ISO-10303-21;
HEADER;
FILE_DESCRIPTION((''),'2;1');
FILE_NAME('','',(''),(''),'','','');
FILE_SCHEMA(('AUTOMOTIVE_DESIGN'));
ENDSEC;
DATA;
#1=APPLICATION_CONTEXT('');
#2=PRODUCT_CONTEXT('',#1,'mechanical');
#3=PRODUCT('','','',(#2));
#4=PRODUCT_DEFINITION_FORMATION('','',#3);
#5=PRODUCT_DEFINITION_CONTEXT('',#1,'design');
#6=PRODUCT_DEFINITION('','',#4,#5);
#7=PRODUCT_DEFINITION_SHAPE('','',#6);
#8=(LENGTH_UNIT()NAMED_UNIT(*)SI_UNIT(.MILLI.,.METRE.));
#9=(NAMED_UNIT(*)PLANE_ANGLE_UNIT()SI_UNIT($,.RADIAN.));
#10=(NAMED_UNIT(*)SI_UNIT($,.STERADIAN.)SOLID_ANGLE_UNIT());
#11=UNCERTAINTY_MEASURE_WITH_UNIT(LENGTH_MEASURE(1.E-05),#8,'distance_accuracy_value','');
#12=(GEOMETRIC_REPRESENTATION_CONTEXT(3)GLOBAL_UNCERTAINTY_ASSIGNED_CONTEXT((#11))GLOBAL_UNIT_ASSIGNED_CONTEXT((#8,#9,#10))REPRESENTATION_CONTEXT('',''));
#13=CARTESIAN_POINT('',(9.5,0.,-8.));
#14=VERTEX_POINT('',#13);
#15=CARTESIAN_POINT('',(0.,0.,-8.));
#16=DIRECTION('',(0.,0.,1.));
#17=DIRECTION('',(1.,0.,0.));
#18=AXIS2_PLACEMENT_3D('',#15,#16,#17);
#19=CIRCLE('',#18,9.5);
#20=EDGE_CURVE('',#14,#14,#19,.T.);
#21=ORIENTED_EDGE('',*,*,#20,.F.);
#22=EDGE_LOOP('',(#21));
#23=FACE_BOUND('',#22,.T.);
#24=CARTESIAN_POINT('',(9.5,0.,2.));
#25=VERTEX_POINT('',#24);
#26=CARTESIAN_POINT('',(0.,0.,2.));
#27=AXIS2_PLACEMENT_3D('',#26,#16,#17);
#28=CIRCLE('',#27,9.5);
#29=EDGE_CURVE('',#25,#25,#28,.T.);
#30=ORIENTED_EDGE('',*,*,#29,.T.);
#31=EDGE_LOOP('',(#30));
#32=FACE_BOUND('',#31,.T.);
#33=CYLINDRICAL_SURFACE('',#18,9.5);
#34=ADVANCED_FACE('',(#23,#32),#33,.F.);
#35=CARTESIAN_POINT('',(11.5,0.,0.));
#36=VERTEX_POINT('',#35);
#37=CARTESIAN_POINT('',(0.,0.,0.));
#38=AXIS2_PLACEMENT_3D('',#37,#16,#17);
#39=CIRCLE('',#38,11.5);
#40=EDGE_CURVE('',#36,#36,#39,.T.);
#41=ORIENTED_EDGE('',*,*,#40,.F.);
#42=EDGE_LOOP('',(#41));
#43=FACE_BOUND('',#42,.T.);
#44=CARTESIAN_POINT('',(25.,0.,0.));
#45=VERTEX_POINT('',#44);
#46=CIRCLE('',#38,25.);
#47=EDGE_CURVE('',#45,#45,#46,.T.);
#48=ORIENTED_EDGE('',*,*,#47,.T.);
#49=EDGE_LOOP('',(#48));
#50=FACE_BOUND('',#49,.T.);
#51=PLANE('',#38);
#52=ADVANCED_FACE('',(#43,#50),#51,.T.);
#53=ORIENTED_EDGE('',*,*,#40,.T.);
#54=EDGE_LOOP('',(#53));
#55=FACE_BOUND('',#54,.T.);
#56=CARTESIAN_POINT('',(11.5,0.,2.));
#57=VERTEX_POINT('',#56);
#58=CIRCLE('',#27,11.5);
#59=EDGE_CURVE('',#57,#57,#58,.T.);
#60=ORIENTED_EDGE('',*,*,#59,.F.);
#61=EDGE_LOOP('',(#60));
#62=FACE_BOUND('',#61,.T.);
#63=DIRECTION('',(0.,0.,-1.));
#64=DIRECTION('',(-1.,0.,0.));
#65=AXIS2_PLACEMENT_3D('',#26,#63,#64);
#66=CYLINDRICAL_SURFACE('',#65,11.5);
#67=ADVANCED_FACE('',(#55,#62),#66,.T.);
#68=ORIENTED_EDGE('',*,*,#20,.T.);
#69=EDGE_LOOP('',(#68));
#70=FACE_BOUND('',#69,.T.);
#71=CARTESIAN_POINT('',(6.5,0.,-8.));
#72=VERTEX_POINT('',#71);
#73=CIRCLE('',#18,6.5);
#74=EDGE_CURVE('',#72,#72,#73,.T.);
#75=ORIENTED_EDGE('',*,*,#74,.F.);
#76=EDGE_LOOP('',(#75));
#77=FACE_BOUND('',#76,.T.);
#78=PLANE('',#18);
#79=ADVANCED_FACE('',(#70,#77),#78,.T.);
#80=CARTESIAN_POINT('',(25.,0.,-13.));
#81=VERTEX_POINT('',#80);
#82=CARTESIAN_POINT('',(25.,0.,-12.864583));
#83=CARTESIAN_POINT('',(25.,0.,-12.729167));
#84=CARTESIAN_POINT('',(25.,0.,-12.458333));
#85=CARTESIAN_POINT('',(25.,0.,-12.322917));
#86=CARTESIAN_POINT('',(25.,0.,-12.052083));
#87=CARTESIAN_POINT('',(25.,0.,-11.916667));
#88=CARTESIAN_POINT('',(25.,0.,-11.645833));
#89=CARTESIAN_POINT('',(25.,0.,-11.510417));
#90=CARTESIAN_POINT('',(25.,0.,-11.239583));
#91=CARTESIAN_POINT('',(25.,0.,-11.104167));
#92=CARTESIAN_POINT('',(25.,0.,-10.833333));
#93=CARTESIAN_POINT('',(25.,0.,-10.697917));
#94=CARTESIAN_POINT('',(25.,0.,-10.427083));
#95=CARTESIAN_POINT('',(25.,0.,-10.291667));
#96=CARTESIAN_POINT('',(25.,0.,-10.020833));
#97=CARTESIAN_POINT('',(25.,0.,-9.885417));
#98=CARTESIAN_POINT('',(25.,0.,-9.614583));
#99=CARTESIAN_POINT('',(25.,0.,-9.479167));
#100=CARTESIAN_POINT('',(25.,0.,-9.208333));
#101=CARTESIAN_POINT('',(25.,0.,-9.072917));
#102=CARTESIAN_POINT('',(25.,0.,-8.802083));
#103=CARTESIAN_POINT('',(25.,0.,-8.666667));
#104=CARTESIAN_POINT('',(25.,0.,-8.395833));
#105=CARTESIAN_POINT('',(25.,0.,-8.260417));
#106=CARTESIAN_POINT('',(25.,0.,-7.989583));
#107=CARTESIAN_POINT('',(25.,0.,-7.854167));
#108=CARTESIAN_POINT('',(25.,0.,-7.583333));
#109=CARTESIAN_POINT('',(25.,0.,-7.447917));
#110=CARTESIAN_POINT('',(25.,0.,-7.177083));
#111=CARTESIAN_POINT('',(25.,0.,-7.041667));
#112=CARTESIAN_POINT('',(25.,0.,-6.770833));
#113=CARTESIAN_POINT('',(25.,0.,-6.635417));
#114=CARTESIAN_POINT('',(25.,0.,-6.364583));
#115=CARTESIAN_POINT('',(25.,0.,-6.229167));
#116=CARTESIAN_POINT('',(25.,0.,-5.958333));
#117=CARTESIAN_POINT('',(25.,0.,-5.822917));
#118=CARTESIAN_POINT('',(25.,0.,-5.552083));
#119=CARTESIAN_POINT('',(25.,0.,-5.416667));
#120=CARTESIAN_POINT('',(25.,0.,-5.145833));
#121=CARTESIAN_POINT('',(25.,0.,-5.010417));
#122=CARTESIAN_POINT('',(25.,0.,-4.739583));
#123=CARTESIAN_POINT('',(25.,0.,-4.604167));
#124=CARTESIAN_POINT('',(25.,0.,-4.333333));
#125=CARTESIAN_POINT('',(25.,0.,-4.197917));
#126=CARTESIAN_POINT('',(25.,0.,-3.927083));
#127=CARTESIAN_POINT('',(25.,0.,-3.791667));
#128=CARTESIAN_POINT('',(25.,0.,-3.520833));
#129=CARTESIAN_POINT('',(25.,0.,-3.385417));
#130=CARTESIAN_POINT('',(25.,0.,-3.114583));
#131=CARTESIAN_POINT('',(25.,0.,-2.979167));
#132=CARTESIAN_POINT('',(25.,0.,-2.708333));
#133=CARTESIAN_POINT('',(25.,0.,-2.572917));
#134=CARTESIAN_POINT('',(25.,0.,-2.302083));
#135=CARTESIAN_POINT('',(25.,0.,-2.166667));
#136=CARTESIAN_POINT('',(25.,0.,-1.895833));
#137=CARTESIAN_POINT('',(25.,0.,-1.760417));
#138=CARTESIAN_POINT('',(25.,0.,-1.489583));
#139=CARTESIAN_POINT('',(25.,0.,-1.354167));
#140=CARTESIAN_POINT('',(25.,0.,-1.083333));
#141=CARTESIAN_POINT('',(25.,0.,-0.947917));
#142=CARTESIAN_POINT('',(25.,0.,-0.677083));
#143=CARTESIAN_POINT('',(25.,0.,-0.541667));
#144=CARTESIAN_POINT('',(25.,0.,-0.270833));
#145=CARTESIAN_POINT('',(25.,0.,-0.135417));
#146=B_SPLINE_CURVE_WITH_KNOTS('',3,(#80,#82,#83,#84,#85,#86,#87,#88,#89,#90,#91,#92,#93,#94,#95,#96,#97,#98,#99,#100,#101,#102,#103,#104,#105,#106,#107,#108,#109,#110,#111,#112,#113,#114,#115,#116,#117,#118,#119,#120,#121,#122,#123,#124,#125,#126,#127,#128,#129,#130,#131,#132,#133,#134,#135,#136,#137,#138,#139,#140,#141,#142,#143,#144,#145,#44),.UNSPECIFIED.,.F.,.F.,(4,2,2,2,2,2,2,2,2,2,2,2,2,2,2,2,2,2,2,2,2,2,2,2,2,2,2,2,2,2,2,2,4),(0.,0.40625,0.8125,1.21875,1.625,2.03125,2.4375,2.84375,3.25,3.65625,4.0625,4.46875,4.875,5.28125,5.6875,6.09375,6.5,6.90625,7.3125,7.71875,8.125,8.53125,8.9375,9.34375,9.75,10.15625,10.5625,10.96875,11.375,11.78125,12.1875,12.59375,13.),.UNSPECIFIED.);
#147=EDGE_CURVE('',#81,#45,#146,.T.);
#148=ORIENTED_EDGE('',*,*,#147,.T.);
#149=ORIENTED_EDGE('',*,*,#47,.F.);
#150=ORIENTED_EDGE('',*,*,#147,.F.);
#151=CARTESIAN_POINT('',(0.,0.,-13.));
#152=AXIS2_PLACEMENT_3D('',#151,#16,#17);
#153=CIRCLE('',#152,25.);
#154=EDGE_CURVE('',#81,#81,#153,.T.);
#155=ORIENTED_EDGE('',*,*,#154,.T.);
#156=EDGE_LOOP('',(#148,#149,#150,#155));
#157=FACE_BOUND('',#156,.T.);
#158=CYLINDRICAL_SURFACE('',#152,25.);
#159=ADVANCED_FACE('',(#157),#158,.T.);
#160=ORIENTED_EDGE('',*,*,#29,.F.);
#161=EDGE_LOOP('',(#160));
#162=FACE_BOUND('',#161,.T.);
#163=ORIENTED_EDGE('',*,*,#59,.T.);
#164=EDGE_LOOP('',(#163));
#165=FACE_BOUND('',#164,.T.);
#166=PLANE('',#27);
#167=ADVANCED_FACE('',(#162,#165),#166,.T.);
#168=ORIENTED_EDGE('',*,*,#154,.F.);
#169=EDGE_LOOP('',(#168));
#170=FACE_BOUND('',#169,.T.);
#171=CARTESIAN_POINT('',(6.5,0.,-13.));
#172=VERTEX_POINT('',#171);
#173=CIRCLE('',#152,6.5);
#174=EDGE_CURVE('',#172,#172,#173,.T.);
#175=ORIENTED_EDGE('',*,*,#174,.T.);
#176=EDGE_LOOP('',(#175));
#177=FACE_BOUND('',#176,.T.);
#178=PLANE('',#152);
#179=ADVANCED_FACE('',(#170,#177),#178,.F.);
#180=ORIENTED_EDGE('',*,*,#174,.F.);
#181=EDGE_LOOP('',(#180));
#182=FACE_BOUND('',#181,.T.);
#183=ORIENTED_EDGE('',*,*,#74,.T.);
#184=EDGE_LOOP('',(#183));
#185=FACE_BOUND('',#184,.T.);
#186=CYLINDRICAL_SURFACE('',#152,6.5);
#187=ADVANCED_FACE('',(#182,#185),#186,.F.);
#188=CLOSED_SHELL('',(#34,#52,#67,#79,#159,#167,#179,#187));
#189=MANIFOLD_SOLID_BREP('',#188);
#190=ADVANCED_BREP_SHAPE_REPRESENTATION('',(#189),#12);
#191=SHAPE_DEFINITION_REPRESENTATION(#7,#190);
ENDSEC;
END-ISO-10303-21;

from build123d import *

# Parameters (mm, degrees)
CROQUIS1_R              = 25
SALIENTE_EXTRUIR1_DEPTH = 13
CROQUIS2_R              = 11.5
SALIENTE_EXTRUIR2_DEPTH = 2
CROQUIS3_R              = 9.5
CORTAR_EXTRUIR1_DEPTH   = 10
CROQUIS4_R              = 6.5
CORTAR_EXTRUIR2_DEPTH   = 37.742346142


with BuildPart() as part:
    # Croquis1 → Saliente-Extruir1 (new body)
    with BuildSketch(Plane.XY):
        Circle(CROQUIS1_R)
    extrude(amount=-SALIENTE_EXTRUIR1_DEPTH)

    # Croquis2 → Saliente-Extruir2 (add)
    with BuildSketch(Plane.XY):
        Circle(CROQUIS2_R)
    extrude(amount=SALIENTE_EXTRUIR2_DEPTH)

    # Croquis3 → Cortar-Extruir1 (cut)
    with BuildSketch(Plane.XY.offset(2)):
        Circle(CROQUIS3_R)
    extrude(amount=-CORTAR_EXTRUIR1_DEPTH, mode=Mode.SUBTRACT)

    # Croquis4 → Cortar-Extruir2 (cut, through all)
    with BuildSketch(Plane.XY.offset(-8)):
        Circle(CROQUIS4_R)
    extrude(amount=-CORTAR_EXTRUIR2_DEPTH, mode=Mode.SUBTRACT)


solid = part.part
